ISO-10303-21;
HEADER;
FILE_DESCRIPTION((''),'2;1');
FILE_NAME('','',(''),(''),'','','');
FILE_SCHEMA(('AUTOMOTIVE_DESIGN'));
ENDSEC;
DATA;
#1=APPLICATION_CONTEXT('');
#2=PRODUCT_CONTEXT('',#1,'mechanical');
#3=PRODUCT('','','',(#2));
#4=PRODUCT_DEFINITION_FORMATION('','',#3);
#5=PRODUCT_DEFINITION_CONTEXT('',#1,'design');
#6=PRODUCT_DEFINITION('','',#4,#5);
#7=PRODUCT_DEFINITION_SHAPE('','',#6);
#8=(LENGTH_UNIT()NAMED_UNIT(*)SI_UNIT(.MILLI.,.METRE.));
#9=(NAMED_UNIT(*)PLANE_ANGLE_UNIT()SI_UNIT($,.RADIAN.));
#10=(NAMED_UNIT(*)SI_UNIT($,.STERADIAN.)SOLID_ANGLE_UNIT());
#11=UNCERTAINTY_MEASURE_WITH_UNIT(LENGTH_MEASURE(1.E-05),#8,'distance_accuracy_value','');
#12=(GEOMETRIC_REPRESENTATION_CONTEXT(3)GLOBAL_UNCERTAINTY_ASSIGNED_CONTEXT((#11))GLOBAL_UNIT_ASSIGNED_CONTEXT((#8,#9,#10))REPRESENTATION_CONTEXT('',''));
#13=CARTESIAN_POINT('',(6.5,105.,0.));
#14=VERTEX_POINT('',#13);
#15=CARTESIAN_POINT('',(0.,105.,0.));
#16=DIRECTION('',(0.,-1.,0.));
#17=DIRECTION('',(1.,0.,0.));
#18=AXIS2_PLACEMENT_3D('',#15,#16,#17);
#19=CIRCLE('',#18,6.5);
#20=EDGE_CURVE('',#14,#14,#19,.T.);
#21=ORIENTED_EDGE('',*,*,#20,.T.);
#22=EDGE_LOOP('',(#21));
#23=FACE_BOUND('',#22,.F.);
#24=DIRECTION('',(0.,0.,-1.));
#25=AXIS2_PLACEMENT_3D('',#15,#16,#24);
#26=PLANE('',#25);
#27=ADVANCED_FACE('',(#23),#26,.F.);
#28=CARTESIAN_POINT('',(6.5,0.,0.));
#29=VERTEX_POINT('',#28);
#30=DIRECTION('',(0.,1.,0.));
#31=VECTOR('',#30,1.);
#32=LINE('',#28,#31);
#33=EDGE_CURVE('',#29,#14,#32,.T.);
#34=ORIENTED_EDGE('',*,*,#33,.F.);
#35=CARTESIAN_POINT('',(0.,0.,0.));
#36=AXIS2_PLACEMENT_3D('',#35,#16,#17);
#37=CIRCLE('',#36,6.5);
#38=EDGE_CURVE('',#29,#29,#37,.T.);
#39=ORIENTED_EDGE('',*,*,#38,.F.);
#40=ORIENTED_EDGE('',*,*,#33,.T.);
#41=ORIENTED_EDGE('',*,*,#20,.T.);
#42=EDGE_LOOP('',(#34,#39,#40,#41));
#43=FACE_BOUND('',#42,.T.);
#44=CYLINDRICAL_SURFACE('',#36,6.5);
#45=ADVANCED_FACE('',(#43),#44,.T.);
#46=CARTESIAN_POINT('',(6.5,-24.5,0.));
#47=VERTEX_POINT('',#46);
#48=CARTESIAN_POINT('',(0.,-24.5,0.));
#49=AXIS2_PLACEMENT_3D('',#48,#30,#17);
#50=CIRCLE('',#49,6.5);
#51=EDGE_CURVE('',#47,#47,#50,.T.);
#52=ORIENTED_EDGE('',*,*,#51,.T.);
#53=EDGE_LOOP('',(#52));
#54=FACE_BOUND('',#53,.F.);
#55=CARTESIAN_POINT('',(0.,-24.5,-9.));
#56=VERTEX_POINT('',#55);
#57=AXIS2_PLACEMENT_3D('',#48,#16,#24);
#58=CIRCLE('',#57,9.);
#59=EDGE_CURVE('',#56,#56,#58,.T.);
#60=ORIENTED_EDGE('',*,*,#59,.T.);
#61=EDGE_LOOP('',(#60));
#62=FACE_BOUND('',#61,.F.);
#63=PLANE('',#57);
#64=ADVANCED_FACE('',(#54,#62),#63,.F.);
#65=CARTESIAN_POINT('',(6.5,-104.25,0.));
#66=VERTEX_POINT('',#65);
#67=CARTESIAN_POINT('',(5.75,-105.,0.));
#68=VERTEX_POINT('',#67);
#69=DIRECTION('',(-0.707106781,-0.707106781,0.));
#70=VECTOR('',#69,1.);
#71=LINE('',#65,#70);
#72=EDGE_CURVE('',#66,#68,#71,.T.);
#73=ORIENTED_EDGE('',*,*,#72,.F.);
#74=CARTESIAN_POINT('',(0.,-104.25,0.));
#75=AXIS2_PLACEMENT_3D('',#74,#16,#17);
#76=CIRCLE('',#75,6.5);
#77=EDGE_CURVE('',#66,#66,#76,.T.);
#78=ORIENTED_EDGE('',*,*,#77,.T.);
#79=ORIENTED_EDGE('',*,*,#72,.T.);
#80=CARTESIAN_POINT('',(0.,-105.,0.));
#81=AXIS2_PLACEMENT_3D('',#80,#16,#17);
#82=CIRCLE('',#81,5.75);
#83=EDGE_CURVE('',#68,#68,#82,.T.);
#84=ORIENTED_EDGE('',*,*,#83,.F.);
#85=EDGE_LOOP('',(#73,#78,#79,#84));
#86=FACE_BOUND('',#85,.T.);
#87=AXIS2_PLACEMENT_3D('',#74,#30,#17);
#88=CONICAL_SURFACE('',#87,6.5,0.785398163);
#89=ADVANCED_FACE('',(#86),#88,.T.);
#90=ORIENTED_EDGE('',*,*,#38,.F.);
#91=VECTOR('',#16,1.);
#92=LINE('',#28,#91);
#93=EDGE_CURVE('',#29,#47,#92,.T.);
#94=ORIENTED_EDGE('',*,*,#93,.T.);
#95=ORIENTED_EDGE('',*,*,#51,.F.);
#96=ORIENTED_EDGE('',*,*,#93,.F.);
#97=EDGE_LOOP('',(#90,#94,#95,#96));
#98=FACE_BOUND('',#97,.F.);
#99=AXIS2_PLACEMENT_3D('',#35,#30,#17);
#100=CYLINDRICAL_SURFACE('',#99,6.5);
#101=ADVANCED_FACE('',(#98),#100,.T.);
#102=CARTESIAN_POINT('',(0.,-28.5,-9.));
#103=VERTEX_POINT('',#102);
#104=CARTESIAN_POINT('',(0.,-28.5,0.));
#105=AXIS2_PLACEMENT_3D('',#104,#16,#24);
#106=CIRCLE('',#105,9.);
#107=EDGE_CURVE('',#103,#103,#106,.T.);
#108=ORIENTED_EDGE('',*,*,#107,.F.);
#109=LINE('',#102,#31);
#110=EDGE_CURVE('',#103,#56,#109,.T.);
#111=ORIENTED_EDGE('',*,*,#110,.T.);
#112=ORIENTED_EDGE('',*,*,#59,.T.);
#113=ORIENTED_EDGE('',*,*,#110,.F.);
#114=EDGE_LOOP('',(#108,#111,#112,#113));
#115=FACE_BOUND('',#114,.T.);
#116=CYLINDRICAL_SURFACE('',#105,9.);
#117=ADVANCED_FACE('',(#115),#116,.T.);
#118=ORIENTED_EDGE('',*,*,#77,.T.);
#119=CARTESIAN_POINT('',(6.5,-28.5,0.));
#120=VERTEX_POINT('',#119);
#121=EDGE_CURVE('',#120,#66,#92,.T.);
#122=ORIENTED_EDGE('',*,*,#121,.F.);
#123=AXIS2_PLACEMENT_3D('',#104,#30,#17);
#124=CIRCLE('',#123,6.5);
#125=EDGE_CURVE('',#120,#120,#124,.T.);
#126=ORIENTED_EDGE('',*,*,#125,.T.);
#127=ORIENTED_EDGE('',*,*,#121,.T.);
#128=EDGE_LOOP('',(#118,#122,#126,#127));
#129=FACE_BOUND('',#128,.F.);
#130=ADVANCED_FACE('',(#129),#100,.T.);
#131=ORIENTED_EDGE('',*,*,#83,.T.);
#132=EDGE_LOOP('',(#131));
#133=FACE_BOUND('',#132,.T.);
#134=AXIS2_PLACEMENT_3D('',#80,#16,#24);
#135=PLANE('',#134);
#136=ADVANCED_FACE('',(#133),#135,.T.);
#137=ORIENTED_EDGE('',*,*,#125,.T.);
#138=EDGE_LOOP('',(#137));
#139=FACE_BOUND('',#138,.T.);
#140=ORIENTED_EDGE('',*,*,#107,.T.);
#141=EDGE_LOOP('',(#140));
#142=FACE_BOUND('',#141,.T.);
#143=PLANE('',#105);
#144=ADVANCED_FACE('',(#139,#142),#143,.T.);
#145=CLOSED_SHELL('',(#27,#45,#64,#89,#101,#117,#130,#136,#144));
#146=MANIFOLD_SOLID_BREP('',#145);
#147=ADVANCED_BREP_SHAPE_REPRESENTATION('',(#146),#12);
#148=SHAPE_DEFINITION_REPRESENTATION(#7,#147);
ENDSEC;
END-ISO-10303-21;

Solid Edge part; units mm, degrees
sketch "Sketch1" plane through (0, 0, 0) normal (0, -1, 0) x (1, 0, 0)
  circle A0 centre (0, 0) radius 6.5
  dimension "D1" = 13
extrude "Protrusion1" add sketch "Sketch1" along normal mid plane 210
sketch "Sketch2" plane through (0, -28.5, 0) normal (0, -1, 0) x (0, 0, -1)
  circle A0 centre (0, 0) radius 9
  dimension "D1" = 18
extrude "ExtrudedProtrusion_2" add sketch "Sketch2" against normal blind 4
chamfer "Chamfer_1" distance 0.75 angle 45 1 edges at (-6.5, -105, 0)
properties part number "SMV-102-4" material "STEEL, 4140"
